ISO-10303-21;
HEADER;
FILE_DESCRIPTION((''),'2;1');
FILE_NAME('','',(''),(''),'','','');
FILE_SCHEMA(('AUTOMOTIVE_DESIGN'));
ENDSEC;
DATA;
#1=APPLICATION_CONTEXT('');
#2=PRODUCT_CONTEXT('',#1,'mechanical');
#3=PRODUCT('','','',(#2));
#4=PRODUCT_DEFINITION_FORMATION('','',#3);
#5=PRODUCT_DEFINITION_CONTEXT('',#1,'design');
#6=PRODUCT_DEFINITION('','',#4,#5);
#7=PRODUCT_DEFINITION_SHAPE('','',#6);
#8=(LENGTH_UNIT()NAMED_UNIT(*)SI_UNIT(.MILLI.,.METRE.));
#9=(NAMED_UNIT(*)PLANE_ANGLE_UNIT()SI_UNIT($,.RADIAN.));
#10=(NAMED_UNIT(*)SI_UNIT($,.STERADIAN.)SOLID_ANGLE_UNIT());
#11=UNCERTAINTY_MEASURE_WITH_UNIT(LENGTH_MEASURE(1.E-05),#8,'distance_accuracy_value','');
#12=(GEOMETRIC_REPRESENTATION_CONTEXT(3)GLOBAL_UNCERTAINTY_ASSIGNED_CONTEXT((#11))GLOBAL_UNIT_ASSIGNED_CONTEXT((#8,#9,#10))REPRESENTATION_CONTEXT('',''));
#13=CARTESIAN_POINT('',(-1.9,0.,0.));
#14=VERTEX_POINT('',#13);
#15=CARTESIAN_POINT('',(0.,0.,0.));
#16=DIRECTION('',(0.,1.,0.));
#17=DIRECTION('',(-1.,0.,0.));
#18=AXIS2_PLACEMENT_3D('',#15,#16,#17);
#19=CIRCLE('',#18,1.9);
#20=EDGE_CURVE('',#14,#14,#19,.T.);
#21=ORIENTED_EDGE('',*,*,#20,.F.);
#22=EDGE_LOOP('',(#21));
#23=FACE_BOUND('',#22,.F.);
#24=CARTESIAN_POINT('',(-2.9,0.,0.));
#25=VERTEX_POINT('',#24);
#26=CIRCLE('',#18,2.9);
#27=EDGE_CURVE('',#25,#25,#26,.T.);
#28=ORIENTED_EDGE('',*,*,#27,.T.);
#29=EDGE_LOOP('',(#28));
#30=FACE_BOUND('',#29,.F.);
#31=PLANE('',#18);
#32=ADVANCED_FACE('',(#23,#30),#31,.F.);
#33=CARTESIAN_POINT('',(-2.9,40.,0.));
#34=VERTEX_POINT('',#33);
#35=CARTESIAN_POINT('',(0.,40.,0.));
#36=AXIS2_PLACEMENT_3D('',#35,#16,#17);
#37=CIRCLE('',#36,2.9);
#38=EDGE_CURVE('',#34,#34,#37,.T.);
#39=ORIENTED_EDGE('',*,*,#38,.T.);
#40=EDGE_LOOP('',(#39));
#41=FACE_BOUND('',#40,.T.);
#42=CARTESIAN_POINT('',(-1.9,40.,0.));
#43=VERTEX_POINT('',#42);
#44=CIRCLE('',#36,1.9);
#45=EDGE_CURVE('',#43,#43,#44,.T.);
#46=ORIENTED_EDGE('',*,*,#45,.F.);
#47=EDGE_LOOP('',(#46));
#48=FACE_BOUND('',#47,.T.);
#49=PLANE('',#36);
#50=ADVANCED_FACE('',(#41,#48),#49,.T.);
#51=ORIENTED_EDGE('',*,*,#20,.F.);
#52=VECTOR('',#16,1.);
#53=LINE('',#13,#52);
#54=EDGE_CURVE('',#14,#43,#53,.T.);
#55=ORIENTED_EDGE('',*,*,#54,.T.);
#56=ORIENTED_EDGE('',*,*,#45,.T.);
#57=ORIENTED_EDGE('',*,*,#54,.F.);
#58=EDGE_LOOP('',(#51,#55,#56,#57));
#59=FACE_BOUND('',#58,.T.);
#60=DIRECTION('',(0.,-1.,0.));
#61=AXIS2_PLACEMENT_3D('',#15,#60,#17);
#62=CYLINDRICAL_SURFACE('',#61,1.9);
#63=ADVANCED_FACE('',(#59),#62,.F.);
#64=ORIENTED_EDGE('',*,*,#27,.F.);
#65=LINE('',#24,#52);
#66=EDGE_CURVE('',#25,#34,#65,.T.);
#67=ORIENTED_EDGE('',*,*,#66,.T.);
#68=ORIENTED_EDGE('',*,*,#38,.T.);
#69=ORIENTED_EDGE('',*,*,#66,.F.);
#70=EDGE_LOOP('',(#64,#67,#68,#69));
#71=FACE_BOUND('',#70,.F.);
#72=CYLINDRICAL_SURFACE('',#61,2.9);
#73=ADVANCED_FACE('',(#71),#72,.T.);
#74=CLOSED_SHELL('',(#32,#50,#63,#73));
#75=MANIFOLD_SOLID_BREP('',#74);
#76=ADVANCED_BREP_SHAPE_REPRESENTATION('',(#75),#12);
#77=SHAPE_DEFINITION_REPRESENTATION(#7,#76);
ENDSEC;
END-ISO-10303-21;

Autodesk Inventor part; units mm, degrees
ref_plane "YZ Plane" through (0, 0, 0) normal (1, 0, 0) x (0, 1, 0)
ref_plane "XZ Plane" through (0, 0, 0) normal (0, 1, 0) x (-1, 0, 0)
ref_plane "XY Plane" through (0, 0, 0) normal (0, 0, 1) x (1, 0, 0)
sketch "Skizze1" plane through (0, 0, 0) normal (0, 1, 0) x (-1, 0, 0)
  circle A0 centre (0, 0) radius 1.9
  circle A1 centre (0, 0) radius 2.9
  dimension "d0" = 3.8
  dimension "d1" = 1
extrude "Extrusion1" add sketch "Skizze1" along normal blind 40
properties part number "Platzhalter Zylinder Groß"
